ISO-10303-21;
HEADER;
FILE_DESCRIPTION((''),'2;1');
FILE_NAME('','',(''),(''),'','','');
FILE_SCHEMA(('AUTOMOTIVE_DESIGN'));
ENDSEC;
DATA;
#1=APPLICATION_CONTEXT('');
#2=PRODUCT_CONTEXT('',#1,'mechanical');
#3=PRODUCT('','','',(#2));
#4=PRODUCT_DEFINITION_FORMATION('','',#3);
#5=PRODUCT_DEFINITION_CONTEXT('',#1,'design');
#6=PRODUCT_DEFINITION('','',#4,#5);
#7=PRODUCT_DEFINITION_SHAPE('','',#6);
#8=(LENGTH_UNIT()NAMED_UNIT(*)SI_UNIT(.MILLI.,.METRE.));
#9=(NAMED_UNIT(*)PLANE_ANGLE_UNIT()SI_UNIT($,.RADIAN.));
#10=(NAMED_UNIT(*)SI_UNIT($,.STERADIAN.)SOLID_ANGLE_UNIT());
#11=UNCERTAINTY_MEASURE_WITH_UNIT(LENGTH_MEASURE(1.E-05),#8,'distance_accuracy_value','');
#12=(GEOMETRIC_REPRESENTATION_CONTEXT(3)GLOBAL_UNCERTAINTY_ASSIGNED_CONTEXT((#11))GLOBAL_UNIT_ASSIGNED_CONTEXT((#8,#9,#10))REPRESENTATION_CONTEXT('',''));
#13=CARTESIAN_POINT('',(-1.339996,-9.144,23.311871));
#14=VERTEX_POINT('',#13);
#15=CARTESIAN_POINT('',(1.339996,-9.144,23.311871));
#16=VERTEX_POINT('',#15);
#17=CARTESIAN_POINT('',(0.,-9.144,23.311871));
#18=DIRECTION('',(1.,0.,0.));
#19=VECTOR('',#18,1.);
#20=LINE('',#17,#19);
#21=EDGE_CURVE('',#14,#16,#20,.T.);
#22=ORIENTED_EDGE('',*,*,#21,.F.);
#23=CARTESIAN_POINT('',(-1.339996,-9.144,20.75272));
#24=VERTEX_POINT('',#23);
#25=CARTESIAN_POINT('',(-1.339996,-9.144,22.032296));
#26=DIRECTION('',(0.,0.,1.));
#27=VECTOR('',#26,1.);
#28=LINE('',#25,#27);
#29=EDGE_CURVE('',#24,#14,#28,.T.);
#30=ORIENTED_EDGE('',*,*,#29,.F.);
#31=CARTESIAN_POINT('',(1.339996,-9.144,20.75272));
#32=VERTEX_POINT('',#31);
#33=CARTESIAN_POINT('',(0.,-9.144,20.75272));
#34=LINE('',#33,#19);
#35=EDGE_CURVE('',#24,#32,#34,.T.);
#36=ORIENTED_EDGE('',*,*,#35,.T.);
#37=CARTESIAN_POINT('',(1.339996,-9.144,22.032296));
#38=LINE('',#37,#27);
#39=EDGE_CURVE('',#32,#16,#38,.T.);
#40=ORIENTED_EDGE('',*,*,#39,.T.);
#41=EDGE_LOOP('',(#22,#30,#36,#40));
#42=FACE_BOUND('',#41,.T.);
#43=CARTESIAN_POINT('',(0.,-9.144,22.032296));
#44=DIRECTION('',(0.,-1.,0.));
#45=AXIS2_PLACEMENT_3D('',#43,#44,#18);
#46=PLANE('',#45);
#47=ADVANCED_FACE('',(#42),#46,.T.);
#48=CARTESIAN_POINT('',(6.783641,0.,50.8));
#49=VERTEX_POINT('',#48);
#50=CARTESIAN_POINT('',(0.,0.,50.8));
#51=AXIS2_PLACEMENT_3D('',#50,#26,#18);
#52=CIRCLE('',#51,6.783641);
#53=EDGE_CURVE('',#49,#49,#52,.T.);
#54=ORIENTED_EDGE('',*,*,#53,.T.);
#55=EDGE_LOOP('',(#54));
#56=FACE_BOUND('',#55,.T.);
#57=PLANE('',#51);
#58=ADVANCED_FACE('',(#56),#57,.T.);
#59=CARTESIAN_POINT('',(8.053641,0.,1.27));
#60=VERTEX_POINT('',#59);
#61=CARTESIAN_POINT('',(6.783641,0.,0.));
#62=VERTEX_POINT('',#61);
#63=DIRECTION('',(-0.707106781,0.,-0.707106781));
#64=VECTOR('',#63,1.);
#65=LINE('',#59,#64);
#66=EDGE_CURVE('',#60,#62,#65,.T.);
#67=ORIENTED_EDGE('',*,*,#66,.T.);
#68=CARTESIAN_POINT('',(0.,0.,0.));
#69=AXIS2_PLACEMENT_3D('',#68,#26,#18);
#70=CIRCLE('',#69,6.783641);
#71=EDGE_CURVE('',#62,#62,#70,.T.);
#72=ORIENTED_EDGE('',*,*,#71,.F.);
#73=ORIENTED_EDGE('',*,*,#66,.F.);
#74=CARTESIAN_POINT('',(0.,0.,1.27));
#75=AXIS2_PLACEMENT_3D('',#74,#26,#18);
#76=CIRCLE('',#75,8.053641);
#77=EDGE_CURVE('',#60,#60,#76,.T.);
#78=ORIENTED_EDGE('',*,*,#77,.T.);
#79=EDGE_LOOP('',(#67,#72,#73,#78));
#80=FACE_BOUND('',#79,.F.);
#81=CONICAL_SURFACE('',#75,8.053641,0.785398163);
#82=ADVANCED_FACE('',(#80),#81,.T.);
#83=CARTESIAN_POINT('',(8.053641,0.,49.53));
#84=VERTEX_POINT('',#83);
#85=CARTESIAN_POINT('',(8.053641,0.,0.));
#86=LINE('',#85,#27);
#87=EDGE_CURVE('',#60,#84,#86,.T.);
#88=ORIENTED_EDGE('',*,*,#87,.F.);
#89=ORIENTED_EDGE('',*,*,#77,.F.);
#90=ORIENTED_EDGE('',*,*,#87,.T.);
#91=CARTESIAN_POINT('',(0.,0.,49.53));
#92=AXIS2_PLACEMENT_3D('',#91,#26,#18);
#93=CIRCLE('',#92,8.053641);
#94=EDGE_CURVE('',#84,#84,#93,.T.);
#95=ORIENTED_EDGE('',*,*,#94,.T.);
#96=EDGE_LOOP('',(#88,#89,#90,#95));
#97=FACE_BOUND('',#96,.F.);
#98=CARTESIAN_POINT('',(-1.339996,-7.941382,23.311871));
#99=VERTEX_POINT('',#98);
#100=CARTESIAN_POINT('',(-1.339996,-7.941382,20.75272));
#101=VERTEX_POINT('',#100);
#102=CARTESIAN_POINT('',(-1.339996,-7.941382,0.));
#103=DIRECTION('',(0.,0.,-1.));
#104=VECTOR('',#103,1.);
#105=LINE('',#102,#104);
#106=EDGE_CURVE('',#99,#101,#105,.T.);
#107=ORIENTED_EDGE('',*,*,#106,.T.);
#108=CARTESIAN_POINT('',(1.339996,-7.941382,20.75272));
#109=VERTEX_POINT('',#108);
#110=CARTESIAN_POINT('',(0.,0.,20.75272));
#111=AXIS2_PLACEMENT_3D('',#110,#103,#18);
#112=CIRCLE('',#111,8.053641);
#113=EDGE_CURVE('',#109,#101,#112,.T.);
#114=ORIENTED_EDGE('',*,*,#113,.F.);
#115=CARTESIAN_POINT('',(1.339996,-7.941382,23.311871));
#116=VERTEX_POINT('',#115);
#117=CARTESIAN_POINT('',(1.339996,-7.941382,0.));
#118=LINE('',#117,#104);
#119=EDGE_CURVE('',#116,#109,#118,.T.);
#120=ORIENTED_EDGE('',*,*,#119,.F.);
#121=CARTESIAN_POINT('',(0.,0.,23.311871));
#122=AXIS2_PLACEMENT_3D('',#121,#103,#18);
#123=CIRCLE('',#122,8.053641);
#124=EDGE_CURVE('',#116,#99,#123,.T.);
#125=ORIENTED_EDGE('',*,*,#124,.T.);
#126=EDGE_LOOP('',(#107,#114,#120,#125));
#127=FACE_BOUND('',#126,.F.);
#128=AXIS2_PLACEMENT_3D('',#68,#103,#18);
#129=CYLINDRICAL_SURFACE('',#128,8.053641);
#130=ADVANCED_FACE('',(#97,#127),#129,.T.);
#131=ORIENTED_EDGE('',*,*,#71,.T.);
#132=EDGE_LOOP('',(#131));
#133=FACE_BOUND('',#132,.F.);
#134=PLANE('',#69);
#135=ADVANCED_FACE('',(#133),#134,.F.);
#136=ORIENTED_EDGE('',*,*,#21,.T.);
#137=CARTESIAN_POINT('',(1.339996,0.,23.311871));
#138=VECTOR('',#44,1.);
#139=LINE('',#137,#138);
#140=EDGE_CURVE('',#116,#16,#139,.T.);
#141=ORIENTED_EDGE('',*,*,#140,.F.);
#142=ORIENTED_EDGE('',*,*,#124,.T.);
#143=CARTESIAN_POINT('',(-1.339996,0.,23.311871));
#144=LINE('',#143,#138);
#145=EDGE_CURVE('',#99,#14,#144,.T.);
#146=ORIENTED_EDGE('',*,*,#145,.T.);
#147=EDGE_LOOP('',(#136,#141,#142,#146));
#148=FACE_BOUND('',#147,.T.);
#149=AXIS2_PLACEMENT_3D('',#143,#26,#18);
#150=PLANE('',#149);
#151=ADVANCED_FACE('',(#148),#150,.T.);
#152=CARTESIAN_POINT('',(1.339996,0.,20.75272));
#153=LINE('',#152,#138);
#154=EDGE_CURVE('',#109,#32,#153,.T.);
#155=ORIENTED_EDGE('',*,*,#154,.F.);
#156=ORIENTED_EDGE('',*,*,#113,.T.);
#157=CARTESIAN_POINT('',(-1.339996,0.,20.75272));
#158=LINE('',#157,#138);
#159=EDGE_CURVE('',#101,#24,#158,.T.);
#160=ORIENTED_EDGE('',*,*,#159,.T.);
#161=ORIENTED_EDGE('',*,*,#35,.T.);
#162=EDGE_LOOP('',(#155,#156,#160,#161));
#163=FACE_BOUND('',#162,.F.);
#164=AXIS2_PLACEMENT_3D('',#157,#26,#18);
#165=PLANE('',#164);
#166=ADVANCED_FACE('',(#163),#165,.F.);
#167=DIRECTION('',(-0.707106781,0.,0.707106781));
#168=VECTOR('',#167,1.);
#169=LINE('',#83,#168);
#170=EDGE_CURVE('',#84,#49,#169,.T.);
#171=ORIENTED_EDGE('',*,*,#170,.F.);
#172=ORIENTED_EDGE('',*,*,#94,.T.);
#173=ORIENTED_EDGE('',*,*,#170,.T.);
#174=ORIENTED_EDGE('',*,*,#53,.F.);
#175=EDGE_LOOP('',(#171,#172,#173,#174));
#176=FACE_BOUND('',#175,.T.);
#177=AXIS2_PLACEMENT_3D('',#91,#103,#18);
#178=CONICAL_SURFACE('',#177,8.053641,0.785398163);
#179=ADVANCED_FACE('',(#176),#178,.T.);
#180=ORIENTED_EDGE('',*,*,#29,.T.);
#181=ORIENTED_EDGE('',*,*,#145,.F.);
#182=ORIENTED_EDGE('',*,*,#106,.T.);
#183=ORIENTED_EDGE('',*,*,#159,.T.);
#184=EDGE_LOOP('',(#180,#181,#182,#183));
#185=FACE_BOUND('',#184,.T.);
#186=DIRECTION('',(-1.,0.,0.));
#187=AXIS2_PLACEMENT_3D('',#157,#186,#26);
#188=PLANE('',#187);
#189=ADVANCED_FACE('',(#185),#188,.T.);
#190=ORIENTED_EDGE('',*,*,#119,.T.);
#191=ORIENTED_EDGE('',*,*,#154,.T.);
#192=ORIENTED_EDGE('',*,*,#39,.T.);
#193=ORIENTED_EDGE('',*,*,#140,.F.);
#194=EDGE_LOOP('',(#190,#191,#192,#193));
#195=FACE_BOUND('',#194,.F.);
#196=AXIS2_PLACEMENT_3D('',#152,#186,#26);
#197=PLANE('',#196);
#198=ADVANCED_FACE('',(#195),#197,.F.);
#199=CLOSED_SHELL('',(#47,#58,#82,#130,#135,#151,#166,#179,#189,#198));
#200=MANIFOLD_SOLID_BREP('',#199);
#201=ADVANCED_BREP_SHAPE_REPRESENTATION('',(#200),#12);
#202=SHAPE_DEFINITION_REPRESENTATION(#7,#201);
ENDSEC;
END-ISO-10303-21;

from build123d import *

# Parameters (mm, degrees)
F0_R     = 8.053641
F1_DEPTH = 50.8
F2_SIZE  = 1.27
F3_SIZE  = 1.27
F4_W     = 2.679992
F4_H     = 2.559151
F5_DEPTH = 9.144


with BuildPart() as f1:
    # F0 (on Top) → F1 (new body)
    with BuildSketch(Plane.XY):
        Circle(F0_R)
    extrude(amount=F1_DEPTH)

    # F2
    f2_edges = [f1.edges().sort_by_distance(p)[0] for p in [
        (-8.053641, 0, 50.8),
    ]]
    chamfer(f2_edges, length=F2_SIZE)

    # F3
    f3_edges = [f1.edges().sort_by_distance(p)[0] for p in [
        (-8.053641, 0, 0),
    ]]
    chamfer(f3_edges, length=F3_SIZE)

    # F4 (on Front) → F5 (join)
    with BuildSketch(Plane.XZ):
        with Locations((0, 22.032296)):
            Rectangle(F4_W, F4_H)
    extrude(amount=F5_DEPTH)


solid = f1.part
